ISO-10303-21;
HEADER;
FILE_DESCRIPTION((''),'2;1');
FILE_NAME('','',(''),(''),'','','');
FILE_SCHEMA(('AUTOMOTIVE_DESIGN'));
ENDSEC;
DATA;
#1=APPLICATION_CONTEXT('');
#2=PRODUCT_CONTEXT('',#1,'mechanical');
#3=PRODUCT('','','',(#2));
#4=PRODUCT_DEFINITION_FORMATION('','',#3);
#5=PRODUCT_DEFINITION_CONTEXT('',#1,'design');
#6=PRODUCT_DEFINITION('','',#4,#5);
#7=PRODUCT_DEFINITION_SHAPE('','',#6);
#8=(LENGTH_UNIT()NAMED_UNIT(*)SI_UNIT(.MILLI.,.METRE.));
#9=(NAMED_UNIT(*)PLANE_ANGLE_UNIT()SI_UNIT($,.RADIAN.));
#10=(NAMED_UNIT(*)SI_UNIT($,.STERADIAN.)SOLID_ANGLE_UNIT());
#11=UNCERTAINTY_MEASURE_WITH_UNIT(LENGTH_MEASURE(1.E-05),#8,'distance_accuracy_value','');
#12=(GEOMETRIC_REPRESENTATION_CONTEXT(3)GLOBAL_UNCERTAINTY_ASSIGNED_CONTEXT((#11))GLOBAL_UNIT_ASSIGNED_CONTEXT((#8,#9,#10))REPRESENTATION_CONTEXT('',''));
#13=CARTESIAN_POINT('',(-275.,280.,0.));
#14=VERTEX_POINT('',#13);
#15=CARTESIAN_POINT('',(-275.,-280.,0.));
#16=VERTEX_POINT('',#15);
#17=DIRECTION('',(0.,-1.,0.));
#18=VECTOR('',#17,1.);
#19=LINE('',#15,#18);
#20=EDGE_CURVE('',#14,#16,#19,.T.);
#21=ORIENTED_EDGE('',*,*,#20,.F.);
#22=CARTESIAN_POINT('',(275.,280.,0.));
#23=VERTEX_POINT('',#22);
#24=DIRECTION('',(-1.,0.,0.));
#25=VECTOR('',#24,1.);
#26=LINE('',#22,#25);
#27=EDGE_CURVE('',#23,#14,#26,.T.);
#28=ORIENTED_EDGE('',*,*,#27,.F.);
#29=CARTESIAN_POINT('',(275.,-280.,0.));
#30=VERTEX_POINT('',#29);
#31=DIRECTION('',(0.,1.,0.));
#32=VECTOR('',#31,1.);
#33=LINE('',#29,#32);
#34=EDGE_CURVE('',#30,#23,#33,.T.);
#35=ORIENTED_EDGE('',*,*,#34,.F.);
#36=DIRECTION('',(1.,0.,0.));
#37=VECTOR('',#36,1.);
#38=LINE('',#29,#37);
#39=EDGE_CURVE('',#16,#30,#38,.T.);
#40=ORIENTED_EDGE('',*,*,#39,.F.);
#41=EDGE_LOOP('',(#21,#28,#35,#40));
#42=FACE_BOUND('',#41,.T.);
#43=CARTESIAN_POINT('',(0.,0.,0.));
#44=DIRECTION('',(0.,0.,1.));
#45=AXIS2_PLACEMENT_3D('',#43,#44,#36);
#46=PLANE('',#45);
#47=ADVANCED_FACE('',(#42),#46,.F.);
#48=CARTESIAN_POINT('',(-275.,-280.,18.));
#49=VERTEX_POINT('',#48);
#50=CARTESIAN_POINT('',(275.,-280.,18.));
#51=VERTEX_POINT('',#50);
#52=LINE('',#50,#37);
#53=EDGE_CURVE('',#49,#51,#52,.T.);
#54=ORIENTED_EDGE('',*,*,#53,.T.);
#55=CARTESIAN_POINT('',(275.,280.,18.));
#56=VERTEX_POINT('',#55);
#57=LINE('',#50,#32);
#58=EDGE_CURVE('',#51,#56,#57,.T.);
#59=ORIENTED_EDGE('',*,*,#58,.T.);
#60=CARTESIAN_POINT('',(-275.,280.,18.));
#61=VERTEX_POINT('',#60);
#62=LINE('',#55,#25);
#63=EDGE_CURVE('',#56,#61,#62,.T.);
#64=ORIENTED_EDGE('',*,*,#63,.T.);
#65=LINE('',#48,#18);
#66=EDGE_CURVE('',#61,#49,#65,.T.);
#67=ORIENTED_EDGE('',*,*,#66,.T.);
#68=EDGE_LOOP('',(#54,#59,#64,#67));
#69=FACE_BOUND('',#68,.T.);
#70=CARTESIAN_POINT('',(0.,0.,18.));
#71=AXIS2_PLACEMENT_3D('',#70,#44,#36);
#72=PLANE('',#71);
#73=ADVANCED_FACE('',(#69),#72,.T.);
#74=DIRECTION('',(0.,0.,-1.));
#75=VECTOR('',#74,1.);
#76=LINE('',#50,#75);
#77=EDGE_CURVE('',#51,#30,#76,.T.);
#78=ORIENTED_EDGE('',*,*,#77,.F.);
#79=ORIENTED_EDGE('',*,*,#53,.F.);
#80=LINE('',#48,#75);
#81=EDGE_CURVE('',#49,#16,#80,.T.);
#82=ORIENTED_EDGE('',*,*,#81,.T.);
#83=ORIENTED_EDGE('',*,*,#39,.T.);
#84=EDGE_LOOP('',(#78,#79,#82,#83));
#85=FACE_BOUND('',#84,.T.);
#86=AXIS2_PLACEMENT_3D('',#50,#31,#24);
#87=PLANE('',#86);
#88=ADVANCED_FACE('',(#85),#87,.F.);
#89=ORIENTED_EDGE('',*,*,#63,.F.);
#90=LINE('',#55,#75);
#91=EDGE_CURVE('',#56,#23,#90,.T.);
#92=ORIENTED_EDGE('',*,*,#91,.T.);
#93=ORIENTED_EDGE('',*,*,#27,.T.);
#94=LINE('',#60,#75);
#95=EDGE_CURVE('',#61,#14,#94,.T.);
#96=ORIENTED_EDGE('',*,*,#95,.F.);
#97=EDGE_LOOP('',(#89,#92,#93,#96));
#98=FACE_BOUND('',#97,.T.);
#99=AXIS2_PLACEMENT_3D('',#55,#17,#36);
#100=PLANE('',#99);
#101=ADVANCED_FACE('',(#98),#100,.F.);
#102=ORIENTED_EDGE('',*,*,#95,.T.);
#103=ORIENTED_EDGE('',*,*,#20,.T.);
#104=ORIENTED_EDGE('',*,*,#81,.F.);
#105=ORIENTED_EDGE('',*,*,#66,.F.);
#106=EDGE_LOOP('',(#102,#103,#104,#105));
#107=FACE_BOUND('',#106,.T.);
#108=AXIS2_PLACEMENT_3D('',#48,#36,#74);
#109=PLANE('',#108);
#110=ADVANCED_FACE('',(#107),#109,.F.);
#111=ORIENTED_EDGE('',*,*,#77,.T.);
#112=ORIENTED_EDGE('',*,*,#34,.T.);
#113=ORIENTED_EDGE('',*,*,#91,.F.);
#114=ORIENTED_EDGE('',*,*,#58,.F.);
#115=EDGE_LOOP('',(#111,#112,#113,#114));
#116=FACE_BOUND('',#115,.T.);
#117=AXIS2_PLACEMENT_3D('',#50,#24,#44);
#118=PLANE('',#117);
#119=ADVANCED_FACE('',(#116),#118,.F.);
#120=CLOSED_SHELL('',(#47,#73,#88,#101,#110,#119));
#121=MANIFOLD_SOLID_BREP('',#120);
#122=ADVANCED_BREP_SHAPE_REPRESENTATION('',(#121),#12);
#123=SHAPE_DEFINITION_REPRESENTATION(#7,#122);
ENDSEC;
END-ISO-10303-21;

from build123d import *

# Parameters (mm, degrees)
SKETCH1_W           = 550
SKETCH1_H           = 560
BOSS_EXTRUDE1_DEPTH = 18


with BuildPart() as part:
    # Sketch1 → Boss-Extrude1 (new body)
    with BuildSketch(Plane.XY):
        Rectangle(SKETCH1_W, SKETCH1_H)
    extrude(amount=BOSS_EXTRUDE1_DEPTH)


solid = part.part
